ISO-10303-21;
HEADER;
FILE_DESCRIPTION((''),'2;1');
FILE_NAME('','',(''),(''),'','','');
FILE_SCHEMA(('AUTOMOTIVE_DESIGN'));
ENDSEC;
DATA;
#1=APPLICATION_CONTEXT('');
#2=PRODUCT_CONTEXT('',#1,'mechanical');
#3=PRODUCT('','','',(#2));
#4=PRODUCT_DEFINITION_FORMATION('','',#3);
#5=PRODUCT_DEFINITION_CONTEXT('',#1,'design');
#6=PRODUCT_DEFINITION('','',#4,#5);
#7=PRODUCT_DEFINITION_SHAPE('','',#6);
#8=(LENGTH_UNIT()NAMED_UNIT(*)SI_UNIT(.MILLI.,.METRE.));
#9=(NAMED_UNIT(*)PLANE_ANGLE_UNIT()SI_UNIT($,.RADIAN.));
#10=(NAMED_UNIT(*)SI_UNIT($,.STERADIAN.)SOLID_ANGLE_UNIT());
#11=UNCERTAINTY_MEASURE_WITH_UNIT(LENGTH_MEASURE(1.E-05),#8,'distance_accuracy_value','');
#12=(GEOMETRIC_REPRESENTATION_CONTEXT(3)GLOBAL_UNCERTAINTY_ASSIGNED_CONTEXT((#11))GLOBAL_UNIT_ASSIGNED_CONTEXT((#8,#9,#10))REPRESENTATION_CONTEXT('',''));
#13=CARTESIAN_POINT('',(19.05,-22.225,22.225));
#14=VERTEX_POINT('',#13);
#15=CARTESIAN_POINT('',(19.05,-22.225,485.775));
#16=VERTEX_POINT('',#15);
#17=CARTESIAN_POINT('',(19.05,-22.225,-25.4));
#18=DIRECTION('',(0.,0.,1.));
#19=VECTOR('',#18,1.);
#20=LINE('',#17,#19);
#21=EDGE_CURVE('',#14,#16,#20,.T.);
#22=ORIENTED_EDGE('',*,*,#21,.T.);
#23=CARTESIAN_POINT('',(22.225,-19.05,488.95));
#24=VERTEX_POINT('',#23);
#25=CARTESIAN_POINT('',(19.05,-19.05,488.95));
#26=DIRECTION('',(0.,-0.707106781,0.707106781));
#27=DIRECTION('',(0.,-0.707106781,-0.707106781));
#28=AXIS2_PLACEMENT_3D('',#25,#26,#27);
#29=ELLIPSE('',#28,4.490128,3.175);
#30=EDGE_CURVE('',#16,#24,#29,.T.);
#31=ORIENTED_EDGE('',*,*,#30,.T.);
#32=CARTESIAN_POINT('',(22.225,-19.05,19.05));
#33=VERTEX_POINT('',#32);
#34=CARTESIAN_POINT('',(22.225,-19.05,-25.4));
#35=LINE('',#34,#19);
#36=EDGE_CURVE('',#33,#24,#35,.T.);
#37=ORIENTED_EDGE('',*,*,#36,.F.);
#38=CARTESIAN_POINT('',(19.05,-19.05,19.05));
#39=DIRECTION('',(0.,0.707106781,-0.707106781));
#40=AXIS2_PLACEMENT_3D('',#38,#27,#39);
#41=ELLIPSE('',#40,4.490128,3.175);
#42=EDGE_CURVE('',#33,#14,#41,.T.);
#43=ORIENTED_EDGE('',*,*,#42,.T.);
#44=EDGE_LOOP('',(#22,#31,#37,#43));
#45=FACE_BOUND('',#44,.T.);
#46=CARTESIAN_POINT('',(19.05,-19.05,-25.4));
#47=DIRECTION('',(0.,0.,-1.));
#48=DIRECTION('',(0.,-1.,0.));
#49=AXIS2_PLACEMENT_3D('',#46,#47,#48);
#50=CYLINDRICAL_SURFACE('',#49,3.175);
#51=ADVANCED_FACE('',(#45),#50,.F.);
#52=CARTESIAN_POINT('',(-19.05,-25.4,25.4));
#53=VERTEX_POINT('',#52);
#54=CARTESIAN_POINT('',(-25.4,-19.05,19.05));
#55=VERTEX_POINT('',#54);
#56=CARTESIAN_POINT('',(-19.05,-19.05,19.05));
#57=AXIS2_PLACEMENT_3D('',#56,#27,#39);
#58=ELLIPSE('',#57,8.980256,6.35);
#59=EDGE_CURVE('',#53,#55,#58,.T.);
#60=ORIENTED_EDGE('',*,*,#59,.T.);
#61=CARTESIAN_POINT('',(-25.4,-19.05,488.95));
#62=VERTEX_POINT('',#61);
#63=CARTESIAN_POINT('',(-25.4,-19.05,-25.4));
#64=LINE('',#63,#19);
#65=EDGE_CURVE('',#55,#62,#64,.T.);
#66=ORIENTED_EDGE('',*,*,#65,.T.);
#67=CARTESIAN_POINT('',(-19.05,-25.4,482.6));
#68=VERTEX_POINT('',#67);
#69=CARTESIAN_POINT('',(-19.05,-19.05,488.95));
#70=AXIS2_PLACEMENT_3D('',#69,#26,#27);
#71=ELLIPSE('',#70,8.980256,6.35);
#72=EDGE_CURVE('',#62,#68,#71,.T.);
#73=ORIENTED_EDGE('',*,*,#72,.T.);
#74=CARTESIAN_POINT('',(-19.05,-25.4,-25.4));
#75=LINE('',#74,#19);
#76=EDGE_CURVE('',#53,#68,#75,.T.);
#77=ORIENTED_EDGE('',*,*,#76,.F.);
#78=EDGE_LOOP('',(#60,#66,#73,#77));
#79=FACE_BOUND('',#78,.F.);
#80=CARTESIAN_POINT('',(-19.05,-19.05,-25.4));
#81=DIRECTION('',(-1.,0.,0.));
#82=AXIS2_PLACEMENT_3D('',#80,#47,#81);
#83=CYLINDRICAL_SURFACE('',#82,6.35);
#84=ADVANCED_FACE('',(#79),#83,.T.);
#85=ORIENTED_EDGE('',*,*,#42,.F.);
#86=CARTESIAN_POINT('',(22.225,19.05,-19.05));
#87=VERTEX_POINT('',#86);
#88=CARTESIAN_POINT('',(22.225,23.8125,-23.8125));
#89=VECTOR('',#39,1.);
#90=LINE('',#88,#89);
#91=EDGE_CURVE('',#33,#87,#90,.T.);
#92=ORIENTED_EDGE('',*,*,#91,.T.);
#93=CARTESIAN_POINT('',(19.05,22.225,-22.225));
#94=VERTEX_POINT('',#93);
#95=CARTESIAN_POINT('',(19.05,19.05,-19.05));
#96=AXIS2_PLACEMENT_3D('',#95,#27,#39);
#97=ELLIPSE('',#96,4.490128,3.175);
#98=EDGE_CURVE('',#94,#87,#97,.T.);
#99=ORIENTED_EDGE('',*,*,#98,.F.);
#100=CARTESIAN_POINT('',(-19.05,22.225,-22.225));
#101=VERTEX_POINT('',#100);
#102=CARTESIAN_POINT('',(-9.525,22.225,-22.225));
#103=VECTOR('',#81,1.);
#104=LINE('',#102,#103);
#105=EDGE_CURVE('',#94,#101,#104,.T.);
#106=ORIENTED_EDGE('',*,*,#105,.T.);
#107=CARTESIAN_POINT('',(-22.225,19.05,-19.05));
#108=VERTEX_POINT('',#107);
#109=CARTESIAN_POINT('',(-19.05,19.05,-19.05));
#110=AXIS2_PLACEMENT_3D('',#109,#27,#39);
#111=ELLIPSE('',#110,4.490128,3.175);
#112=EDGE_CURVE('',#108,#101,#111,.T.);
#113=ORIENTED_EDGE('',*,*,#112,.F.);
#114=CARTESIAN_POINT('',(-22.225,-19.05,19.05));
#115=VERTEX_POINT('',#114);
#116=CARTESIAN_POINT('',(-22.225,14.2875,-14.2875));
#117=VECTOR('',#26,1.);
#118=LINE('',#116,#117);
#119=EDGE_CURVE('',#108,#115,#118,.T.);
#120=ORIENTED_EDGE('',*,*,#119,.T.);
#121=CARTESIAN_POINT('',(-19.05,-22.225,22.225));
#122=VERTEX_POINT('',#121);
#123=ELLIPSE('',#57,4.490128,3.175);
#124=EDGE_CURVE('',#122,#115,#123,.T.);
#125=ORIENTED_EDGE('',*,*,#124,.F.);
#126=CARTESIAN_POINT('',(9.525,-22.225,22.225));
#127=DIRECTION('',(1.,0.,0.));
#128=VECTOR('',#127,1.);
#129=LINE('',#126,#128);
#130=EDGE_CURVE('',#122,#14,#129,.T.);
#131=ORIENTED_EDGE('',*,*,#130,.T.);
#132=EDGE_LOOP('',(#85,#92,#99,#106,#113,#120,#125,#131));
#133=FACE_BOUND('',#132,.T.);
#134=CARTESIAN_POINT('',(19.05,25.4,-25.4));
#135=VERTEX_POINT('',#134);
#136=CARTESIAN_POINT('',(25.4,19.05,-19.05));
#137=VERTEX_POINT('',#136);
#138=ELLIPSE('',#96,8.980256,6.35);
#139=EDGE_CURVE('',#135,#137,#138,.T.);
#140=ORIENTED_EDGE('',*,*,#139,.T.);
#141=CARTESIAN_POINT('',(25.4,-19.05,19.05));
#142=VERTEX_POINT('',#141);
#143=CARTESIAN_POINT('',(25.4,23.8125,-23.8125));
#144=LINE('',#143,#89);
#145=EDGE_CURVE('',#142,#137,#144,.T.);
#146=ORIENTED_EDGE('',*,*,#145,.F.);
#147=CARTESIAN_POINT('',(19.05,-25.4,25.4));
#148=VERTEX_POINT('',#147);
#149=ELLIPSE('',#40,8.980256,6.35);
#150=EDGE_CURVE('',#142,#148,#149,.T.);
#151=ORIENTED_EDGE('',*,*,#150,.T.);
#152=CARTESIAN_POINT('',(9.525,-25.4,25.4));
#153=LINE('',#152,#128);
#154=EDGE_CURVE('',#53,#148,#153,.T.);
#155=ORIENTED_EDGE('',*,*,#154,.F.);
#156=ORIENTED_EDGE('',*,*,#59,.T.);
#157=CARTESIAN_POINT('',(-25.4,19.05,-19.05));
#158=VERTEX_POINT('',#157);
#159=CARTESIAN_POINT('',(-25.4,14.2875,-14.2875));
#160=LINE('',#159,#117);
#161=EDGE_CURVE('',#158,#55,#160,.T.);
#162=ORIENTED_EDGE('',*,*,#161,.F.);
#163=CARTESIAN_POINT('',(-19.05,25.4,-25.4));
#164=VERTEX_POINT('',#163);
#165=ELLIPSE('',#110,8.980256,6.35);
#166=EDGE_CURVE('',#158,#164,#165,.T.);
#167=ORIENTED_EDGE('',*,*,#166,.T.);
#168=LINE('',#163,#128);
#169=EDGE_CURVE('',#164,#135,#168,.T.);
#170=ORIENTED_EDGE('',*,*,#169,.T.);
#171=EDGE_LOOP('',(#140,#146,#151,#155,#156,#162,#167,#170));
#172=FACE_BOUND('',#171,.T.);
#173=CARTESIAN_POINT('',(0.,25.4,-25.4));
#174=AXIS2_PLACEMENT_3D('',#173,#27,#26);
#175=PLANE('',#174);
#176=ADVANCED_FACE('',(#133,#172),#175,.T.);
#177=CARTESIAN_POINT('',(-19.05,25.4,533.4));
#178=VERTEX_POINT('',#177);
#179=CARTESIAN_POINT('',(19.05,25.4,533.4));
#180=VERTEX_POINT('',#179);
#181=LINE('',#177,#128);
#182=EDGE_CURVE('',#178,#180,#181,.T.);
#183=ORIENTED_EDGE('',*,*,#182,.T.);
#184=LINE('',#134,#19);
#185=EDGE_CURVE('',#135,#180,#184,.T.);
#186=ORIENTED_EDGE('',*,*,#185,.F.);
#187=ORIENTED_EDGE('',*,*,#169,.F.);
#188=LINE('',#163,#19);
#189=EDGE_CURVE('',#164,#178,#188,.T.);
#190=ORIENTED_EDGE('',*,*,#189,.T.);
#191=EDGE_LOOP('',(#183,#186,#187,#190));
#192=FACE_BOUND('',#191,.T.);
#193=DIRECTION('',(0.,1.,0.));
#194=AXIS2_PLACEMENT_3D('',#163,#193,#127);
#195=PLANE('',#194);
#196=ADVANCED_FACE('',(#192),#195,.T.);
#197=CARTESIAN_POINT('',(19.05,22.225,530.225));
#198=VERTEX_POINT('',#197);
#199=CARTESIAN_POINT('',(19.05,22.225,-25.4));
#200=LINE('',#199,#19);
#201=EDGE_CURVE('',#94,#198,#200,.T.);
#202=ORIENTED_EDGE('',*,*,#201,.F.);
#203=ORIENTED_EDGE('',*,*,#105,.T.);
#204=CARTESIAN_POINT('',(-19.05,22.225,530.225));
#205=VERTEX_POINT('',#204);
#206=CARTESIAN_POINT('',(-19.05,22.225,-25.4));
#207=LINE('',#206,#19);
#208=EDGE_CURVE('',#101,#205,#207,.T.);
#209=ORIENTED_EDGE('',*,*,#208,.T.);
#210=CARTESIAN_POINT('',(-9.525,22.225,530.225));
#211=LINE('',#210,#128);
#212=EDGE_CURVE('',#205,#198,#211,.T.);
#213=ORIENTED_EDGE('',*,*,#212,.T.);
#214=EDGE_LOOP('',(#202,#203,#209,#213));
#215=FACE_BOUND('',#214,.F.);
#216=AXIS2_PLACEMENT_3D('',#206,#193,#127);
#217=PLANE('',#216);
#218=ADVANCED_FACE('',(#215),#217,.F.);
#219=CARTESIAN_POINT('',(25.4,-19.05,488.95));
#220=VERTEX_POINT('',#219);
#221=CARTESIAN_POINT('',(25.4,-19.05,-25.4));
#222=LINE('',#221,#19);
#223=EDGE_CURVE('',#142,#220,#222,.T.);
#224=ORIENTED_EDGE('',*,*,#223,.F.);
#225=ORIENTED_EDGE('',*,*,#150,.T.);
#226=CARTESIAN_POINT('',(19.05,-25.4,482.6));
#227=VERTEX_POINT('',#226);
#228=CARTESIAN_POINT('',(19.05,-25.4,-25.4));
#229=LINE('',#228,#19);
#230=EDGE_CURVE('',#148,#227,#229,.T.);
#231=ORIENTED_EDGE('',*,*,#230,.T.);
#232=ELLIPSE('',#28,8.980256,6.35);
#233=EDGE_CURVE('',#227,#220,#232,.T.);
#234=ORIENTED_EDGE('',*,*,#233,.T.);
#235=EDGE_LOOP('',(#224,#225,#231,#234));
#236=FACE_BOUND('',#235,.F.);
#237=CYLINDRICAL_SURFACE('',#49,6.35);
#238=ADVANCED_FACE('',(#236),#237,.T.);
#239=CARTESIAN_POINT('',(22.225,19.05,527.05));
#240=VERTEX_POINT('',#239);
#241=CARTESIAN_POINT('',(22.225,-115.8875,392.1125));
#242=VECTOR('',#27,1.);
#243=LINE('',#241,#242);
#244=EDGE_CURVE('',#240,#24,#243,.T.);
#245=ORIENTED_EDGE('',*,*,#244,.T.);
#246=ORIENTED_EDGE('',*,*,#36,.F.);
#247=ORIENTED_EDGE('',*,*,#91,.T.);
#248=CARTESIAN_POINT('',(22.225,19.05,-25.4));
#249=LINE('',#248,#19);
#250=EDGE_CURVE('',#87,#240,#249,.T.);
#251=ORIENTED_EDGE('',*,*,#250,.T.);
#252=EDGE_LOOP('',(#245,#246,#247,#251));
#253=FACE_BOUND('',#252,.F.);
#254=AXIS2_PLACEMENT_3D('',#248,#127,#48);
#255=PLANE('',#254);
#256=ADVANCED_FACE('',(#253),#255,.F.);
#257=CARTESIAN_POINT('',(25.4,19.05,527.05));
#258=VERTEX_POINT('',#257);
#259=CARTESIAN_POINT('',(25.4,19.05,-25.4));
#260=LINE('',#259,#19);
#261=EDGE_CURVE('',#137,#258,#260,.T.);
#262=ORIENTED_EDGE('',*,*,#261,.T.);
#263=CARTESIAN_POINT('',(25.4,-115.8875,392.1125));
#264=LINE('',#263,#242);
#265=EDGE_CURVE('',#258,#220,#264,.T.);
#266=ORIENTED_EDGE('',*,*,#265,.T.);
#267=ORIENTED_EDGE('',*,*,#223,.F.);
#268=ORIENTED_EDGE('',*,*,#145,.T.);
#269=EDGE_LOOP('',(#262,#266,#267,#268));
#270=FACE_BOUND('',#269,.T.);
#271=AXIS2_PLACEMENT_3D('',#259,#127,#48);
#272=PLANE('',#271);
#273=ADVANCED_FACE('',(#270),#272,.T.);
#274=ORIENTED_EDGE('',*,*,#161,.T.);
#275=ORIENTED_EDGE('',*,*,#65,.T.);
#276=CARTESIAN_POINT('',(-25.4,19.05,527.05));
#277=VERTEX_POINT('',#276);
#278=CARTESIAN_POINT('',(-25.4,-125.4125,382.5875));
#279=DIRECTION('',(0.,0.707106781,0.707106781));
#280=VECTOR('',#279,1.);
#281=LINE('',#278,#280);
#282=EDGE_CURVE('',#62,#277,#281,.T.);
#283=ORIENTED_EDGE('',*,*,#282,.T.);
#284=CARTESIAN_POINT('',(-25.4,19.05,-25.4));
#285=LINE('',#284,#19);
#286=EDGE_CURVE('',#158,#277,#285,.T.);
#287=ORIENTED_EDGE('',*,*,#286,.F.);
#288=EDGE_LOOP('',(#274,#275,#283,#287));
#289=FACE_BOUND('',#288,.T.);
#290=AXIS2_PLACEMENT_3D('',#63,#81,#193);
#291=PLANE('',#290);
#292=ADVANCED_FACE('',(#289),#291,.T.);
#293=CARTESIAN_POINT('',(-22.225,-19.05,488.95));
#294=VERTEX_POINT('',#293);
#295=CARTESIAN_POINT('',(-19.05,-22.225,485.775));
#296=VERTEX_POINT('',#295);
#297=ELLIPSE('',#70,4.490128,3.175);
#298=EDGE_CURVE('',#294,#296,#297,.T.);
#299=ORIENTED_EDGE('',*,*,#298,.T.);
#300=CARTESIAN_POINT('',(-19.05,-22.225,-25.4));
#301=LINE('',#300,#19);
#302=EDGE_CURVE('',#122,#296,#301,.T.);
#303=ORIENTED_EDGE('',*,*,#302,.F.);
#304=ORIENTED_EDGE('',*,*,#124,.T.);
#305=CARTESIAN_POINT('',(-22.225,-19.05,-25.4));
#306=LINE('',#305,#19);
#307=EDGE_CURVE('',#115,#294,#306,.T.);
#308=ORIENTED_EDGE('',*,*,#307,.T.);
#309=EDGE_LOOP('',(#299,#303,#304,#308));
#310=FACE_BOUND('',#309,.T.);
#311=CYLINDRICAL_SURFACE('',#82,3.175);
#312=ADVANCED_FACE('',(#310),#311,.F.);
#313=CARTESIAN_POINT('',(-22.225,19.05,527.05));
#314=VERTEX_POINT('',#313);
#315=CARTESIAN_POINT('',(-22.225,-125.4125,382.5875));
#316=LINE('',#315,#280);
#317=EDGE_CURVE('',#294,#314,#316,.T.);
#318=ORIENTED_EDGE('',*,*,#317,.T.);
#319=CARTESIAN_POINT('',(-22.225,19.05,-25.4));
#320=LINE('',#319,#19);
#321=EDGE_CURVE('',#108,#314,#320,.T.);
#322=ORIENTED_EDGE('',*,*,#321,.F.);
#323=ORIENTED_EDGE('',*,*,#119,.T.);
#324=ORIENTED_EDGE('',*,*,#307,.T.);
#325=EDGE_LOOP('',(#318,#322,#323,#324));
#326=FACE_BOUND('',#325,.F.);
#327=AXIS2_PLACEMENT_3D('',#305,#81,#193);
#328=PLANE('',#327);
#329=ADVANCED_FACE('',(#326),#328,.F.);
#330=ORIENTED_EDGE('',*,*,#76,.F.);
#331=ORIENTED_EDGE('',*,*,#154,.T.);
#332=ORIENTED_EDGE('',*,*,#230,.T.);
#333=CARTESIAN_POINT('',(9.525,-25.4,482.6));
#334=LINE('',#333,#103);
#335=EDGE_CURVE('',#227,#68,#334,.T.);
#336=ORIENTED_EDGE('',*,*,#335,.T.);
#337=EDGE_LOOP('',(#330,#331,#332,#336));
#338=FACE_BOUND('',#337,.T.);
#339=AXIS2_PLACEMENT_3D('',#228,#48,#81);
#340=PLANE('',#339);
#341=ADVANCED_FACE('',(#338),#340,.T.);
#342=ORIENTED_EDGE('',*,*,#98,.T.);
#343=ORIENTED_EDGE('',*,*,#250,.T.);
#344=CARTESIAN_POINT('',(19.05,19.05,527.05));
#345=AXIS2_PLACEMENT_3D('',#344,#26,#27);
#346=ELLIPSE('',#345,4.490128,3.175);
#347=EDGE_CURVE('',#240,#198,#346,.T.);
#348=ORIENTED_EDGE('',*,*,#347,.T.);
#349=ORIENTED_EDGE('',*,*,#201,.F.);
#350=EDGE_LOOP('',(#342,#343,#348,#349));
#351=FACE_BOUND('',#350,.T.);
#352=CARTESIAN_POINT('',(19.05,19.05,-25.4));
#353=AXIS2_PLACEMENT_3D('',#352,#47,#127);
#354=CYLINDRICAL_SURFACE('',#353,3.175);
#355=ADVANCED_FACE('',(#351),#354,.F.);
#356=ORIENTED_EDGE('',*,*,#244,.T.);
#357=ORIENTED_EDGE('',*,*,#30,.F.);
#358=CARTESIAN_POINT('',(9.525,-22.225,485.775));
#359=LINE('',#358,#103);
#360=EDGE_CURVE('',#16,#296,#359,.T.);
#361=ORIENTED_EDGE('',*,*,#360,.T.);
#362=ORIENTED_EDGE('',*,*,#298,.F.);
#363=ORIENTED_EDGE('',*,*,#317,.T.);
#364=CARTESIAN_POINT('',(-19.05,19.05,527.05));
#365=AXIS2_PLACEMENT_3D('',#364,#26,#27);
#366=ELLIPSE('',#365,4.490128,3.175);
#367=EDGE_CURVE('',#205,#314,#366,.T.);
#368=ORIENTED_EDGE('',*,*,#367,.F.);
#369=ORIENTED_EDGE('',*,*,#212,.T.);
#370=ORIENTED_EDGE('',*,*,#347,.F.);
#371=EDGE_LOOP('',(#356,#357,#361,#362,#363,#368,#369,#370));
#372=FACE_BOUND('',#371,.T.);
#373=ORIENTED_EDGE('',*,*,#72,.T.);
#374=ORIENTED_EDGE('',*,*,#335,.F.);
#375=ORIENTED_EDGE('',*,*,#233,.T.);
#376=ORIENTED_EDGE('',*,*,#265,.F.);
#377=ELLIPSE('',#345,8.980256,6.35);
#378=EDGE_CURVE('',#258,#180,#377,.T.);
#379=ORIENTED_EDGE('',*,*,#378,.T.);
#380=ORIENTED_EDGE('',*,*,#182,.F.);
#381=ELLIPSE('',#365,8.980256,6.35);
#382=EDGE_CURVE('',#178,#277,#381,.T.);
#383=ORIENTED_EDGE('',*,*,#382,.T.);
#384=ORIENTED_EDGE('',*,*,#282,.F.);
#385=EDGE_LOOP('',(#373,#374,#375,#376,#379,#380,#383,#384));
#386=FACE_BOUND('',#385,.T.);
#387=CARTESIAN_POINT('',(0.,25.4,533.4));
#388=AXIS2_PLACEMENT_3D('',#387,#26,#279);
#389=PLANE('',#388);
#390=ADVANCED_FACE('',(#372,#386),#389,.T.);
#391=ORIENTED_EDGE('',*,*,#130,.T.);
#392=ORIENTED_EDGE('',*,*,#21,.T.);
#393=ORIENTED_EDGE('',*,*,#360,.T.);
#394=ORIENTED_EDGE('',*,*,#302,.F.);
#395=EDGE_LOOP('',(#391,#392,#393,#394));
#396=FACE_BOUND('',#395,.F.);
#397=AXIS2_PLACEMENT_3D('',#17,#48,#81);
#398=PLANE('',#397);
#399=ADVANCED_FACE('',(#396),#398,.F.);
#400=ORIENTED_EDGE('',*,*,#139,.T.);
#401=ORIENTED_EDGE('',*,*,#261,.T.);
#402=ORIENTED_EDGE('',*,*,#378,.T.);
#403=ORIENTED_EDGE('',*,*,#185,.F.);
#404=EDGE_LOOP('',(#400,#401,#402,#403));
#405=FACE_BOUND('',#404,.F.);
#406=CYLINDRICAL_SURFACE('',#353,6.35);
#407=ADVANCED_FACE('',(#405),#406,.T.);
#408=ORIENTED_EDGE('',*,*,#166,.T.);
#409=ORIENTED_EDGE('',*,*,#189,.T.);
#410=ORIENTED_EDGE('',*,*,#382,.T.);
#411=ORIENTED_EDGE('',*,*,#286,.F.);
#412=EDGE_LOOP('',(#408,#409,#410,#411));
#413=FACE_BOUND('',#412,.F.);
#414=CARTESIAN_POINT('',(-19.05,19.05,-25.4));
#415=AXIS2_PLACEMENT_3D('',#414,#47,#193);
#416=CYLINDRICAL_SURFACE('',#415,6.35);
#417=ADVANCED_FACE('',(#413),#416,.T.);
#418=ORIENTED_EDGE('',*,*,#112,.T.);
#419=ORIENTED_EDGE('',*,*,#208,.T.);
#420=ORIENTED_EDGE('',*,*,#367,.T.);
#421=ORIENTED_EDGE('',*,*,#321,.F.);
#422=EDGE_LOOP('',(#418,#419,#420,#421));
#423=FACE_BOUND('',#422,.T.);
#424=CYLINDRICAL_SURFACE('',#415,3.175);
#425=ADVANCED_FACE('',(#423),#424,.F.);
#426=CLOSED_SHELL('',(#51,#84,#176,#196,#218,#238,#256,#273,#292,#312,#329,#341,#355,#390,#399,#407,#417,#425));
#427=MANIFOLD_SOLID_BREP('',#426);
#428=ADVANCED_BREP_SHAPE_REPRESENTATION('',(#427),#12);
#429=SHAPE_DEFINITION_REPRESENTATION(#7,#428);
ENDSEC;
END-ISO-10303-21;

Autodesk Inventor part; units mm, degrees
ref_plane "Start Plane" through (0, 0, -25.4) normal (0, 0, 1) x (1, 0, 0)
ref_plane "End Plane" through (0, 0, 533.4) normal (0, 0, 1) x (1, 0, 0)
sketch "Sketch" plane through (0, 0, 0) normal (0, 0, 1) x (1, 0, 0)
  line L0 (-25.4, -19.05) -> (-25.4, 19.05)
  line L1 (-19.05, 25.4) -> (19.05, 25.4)
  line L2 (25.4, 19.05) -> (25.4, -19.05)
  line L3 (19.05, -25.4) -> (-19.05, -25.4)
  arc A0 (-25.4, -19.05) -> (-19.05, -25.4) centre (-19.05, -19.05) ccw
  arc A1 (-19.05, 25.4) -> (-25.4, 19.05) centre (-19.05, 19.05) ccw
  arc A2 (25.4, 19.05) -> (19.05, 25.4) centre (19.05, 19.05) ccw
  arc A3 (19.05, -25.4) -> (25.4, -19.05) centre (19.05, -19.05) ccw
  arc A4 (-19.05, 22.225) -> (-22.225, 19.05) centre (-19.05, 19.05) ccw
  line L4 (-19.05, 22.225) -> (19.05, 22.225)
  arc A5 (22.225, 19.05) -> (19.05, 22.225) centre (19.05, 19.05) ccw
  line L5 (22.225, 19.05) -> (22.225, -19.05)
  arc A6 (19.05, -22.225) -> (22.225, -19.05) centre (19.05, -19.05) ccw
  line L6 (19.05, -22.225) -> (-19.05, -22.225)
  arc A7 (-22.225, -19.05) -> (-19.05, -22.225) centre (-19.05, -19.05) ccw
  line L7 (-22.225, -19.05) -> (-22.225, 19.05)
  line L8 (0, 37.4012) -> (0, -37.4012) construction
  line L9 (-37.4012, 0) -> (37.4012, 0) construction
  dimension "d10" = 50.8
  dimension "d11" = 50.8
  dimension "d12" = 3.175
  dimension "d15" = 25.4
  dimension "d16" = 25.4
  dimension "d17" = 6.35
extrude "Body" add sketch "Sketch" along normal up to surface (558.8 mm away) from surface at -25.4
sketch "Sketch3" plane through (0, 0, 0) normal (0, 0, 1) x (1, 0, 0)
  line L0 (0, 0) -> (10, 0)
ref_plane "Work Plane3" through (0, 0, 0) normal (0, -1, 0) x (1, 0, 0)
sketch "Sketch4" plane through (0, 0, 0) normal (0, -1, 0) x (1, 0, 0)
  line L0 (-2, -25.4) -> (12, -25.4)
  line L1 (-2, 533.4) -> (12, 533.4)
  dimension "d19" = 558.8
ref_plane "Work Plane4" through (0, 25.4, -25.4) normal (0, -0.7071, -0.7071) x (1, 0, 0)
split "Split1" plane through (0, 25.4, -25.4) removes the side toward (0, -0.7071, -0.7071)
ref_plane "Work Plane5" through (0, 25.4, 533.4) normal (0, -0.7071, 0.7071) x (1, 0, 0)
split "Split2" plane through (0, 25.4, 533.4) removes the side toward (0, -0.7071, 0.7071)
equation "\"d10\" = G_H"
equation "\"d11\" = G_W"
equation "\"d12\" = G_T"
equation "\"d15\" = 0.5 * d10"
equation "\"d16\" = 0.5 * d11"
equation "\"d17\" = G_IR"
equation "\"d3\" = G_L"
equation "\"G_W\" = 50.8"
equation "\"G_H\" = 50.8"
equation "\"G_T\" = 3.175"
equation "\"G_IR\" = 6.35"
equation "\"G_L\" = d19"
equation "\"G_OFFSET_START\" = 25.4"
equation "\"G_OFFSET_END\" = 25.4"
equation "\"d13\" = -G_OFFSET_START"
equation "\"d14\" = G_OFFSET_END + B_L"
equation "\"B_L\" = 508"
properties part number "AISC - 2 x 2 x 1/8 - 22" material "Steel, Mild"
